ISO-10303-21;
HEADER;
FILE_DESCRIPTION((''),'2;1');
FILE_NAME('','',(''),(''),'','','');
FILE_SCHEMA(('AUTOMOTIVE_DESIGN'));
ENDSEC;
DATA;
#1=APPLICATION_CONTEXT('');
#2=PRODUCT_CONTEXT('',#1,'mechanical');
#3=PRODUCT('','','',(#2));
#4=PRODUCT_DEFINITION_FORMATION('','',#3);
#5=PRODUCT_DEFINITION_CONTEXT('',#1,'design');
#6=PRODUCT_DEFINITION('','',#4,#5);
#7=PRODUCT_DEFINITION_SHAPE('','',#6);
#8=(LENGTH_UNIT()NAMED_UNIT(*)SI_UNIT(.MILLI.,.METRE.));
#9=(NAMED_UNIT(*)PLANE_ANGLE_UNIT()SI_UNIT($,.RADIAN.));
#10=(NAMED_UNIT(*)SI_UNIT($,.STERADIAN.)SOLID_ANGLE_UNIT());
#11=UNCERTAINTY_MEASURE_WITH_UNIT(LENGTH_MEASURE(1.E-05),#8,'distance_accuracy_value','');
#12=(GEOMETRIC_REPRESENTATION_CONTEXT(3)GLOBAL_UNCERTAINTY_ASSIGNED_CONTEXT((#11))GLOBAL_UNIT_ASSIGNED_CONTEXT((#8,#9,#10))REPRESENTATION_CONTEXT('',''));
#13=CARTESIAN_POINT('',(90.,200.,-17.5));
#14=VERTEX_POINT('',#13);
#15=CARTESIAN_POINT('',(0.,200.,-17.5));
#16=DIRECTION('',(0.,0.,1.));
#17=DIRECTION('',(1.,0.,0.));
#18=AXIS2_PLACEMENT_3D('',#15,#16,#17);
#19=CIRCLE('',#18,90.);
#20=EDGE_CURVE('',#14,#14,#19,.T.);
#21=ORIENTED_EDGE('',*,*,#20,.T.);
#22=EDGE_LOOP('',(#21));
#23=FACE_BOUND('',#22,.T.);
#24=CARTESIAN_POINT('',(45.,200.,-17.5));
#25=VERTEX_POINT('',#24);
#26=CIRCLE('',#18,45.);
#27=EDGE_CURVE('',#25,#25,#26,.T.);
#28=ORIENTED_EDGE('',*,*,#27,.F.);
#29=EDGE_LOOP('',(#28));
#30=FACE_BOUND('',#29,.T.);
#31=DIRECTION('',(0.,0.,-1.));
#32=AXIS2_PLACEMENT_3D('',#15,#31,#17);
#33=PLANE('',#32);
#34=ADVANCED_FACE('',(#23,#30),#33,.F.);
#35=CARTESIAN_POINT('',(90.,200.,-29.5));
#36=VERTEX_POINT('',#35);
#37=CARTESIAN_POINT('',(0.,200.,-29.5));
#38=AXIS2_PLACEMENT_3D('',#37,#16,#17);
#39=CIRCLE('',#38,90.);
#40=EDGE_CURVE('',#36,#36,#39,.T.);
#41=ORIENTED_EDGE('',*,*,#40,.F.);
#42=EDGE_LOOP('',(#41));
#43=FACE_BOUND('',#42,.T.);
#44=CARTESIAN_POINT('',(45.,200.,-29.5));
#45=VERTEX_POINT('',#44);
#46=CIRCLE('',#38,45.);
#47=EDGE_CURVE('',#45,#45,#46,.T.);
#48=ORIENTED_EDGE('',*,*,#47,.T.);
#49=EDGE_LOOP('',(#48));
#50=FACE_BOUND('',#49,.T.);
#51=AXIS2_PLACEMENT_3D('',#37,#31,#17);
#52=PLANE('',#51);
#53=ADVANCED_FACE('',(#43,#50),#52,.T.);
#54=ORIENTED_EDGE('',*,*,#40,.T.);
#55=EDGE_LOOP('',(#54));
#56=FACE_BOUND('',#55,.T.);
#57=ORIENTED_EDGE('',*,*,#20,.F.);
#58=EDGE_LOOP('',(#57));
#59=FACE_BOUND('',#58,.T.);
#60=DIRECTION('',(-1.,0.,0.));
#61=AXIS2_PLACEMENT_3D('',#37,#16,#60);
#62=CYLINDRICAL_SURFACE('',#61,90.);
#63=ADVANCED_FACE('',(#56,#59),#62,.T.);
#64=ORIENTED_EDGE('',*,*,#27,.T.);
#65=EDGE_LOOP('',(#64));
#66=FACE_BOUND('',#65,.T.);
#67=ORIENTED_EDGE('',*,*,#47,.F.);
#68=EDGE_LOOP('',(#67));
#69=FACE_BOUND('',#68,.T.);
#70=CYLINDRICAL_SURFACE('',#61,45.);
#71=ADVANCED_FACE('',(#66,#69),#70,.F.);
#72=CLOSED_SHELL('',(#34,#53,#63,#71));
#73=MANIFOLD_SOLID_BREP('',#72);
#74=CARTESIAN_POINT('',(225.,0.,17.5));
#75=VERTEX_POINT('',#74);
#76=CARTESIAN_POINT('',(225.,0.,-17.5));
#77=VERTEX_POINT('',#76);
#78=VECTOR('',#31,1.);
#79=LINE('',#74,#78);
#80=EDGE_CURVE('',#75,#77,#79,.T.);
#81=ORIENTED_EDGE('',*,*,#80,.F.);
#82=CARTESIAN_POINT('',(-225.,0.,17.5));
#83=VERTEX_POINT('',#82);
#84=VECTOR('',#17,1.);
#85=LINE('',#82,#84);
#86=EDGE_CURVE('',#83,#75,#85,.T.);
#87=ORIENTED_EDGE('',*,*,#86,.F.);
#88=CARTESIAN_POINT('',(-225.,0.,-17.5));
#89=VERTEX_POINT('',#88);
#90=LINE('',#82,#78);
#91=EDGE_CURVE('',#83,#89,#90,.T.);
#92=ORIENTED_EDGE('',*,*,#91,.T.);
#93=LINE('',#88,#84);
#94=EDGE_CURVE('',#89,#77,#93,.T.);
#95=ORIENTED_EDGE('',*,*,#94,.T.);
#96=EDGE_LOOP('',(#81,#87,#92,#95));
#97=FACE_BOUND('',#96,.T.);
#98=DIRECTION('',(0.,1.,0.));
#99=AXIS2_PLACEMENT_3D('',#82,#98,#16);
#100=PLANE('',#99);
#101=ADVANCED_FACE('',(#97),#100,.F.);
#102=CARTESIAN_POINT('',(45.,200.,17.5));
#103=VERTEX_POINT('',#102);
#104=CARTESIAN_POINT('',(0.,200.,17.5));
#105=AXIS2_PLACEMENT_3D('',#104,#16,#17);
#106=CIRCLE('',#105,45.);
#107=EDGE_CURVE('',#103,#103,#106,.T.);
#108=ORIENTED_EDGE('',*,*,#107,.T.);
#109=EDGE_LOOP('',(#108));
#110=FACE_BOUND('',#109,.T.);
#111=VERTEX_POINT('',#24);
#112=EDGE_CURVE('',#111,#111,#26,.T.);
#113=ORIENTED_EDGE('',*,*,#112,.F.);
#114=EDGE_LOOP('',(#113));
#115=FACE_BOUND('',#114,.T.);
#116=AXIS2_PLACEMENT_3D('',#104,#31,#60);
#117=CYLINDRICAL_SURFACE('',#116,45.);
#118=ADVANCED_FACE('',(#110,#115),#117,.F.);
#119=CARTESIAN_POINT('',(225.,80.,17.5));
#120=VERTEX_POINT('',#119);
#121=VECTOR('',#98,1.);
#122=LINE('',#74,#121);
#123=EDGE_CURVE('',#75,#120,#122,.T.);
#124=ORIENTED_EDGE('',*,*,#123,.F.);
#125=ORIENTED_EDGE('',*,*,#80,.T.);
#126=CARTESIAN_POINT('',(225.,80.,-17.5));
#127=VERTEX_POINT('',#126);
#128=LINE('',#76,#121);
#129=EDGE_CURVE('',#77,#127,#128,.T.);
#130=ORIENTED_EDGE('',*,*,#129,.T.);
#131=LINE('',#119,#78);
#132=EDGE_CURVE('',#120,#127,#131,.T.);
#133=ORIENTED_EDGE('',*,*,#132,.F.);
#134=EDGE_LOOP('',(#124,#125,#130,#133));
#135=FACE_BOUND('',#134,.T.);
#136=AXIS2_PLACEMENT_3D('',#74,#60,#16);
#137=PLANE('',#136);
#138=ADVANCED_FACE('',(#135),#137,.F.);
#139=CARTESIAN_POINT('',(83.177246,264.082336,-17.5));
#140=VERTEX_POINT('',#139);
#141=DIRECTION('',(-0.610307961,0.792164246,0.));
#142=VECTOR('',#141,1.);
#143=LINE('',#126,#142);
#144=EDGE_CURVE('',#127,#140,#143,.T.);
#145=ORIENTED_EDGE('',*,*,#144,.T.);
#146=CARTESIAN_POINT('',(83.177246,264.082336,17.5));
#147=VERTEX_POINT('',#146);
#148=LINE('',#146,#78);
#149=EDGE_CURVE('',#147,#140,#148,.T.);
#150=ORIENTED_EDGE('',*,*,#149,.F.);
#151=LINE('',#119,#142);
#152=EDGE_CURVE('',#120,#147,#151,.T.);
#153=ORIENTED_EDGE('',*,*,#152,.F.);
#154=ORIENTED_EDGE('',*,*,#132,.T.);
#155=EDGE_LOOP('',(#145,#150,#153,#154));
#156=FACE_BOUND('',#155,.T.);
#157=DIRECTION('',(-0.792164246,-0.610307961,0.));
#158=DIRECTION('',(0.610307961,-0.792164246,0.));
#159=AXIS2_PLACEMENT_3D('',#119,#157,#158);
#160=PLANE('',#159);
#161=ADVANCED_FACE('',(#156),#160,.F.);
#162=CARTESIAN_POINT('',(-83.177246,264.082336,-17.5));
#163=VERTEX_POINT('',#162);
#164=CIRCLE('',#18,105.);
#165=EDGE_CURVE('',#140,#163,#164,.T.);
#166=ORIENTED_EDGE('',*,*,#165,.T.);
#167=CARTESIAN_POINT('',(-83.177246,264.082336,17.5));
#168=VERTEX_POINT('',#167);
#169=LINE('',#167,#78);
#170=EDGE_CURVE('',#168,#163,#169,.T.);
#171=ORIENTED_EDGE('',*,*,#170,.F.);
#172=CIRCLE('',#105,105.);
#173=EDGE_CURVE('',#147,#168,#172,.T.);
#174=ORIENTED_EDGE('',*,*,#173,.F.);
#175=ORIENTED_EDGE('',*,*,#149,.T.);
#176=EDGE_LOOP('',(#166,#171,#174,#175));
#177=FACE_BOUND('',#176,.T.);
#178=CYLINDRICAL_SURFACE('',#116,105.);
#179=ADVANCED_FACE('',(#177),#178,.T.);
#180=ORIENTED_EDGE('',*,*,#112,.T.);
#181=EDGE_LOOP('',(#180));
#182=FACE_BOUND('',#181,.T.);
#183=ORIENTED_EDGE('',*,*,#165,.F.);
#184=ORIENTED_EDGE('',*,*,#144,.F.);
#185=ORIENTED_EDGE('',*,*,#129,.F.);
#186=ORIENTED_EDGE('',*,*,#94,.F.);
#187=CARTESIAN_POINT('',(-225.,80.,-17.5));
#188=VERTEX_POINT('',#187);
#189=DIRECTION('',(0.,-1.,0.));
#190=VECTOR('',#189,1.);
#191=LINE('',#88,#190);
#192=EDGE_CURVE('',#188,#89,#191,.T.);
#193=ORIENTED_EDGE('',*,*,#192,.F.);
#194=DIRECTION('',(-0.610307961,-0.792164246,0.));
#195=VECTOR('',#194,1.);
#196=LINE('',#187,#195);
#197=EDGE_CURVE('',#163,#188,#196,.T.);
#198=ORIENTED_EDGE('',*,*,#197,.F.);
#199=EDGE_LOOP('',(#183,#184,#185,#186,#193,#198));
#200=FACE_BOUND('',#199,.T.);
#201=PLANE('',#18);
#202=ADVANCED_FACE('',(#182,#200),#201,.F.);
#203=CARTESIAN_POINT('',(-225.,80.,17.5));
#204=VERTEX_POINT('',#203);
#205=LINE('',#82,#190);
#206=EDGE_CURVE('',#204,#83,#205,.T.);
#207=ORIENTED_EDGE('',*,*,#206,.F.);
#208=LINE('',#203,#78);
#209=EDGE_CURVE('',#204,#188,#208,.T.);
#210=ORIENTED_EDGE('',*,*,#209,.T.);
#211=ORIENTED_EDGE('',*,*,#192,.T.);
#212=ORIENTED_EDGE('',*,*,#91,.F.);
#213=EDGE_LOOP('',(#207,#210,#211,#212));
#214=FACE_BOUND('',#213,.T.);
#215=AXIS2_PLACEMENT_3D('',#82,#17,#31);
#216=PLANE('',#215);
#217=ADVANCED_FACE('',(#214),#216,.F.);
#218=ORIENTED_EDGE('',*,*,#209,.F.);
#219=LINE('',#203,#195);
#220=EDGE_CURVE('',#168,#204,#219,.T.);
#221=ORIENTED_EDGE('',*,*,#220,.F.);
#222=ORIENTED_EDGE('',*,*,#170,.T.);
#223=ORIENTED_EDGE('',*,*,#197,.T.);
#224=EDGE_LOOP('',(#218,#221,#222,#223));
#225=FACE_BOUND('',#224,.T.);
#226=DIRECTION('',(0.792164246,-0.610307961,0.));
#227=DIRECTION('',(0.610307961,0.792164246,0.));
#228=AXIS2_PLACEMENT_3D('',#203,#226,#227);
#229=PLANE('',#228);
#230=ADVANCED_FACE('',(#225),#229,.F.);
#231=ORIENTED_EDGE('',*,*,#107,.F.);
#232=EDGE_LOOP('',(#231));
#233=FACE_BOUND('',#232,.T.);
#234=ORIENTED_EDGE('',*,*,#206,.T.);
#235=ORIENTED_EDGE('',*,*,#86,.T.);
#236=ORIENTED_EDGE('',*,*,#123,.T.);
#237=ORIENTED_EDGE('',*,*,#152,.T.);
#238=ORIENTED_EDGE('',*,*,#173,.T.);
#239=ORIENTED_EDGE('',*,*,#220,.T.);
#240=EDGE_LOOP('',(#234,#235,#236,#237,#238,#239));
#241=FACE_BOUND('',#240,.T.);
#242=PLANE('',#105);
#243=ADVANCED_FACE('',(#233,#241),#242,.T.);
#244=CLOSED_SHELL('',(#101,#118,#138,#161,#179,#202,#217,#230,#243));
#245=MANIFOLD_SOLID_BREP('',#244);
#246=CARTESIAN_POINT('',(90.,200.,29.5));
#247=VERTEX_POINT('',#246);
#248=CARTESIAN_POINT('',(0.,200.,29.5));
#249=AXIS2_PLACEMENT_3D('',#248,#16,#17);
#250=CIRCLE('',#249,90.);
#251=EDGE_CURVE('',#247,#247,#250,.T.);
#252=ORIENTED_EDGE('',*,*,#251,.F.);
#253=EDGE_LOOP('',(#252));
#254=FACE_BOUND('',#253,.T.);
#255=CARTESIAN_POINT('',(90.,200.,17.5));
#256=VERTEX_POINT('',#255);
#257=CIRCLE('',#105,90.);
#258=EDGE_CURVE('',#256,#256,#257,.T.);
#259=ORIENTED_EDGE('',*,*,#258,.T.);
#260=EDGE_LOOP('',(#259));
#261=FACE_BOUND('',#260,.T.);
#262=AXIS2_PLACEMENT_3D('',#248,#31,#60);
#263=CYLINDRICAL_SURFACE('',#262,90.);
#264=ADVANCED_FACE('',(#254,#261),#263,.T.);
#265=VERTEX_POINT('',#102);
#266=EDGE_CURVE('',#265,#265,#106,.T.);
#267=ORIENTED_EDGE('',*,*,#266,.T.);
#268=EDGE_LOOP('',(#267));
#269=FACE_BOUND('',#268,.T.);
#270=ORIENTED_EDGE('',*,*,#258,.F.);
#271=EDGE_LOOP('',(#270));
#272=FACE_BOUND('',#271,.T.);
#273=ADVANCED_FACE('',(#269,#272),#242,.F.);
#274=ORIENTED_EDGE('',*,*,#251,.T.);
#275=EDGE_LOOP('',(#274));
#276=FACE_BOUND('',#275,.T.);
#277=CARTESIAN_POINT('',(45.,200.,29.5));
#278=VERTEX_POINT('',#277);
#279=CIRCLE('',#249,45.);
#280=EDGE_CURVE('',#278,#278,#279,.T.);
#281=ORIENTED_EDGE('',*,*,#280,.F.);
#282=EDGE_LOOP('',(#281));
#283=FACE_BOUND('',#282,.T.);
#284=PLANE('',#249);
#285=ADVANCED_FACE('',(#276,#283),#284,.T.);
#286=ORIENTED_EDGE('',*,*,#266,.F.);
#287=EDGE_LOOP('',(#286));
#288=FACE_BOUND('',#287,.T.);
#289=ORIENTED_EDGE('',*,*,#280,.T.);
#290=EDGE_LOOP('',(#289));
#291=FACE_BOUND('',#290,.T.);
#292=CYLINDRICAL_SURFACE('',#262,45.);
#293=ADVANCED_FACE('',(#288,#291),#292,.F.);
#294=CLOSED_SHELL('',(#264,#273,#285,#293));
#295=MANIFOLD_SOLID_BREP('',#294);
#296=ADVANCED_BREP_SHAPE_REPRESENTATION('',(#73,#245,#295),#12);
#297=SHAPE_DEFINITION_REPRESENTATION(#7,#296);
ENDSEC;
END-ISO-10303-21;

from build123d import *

# Parameters (mm, degrees)
SKETCH1_R           = 45
BOSS_EXTRUDE1_DEPTH = 17.5
SKETCH2_R           = 90
SKETCH2_R_2         = 45
BOSS_EXTRUDE2_DEPTH = 12


with BuildPart() as part:
    # Sketch1 → Boss-Extrude1 (new body, symmetric)
    with BuildSketch(Plane.XY):
        with BuildLine():
            Line((-225, 0), (225, 0))
            Line((225, 0), (225, 80))
            Line((225, 80), (83.177245824, 264.082335921))
            ThreePointArc((83.177245824, 264.082335921), (0, 305), (-83.177245824, 264.082335921))
            Line((-83.177245824, 264.082335921), (-225, 80))
            Line((-225, 80), (-225, 0))
        make_face()
        with Locations((0, 200)):
            Circle(SKETCH1_R, mode=Mode.SUBTRACT)
    extrude(amount=BOSS_EXTRUDE1_DEPTH, both=True)


with BuildPart() as body_2:
    # Sketch2 → Boss-Extrude2 (new body)
    with BuildSketch(Plane.XY.offset(17.5)):
        with Locations((0, 200)):
            Circle(SKETCH2_R)
        with Locations((0, 200)):
            Circle(SKETCH2_R_2, mode=Mode.SUBTRACT)
    extrude(amount=BOSS_EXTRUDE2_DEPTH)


with BuildPart() as body_3:
    # Mirror1: mirrored copy
    add(body_2.part.mirror(Plane.XY))


solid = Compound([part.part, body_2.part, body_3.part])
